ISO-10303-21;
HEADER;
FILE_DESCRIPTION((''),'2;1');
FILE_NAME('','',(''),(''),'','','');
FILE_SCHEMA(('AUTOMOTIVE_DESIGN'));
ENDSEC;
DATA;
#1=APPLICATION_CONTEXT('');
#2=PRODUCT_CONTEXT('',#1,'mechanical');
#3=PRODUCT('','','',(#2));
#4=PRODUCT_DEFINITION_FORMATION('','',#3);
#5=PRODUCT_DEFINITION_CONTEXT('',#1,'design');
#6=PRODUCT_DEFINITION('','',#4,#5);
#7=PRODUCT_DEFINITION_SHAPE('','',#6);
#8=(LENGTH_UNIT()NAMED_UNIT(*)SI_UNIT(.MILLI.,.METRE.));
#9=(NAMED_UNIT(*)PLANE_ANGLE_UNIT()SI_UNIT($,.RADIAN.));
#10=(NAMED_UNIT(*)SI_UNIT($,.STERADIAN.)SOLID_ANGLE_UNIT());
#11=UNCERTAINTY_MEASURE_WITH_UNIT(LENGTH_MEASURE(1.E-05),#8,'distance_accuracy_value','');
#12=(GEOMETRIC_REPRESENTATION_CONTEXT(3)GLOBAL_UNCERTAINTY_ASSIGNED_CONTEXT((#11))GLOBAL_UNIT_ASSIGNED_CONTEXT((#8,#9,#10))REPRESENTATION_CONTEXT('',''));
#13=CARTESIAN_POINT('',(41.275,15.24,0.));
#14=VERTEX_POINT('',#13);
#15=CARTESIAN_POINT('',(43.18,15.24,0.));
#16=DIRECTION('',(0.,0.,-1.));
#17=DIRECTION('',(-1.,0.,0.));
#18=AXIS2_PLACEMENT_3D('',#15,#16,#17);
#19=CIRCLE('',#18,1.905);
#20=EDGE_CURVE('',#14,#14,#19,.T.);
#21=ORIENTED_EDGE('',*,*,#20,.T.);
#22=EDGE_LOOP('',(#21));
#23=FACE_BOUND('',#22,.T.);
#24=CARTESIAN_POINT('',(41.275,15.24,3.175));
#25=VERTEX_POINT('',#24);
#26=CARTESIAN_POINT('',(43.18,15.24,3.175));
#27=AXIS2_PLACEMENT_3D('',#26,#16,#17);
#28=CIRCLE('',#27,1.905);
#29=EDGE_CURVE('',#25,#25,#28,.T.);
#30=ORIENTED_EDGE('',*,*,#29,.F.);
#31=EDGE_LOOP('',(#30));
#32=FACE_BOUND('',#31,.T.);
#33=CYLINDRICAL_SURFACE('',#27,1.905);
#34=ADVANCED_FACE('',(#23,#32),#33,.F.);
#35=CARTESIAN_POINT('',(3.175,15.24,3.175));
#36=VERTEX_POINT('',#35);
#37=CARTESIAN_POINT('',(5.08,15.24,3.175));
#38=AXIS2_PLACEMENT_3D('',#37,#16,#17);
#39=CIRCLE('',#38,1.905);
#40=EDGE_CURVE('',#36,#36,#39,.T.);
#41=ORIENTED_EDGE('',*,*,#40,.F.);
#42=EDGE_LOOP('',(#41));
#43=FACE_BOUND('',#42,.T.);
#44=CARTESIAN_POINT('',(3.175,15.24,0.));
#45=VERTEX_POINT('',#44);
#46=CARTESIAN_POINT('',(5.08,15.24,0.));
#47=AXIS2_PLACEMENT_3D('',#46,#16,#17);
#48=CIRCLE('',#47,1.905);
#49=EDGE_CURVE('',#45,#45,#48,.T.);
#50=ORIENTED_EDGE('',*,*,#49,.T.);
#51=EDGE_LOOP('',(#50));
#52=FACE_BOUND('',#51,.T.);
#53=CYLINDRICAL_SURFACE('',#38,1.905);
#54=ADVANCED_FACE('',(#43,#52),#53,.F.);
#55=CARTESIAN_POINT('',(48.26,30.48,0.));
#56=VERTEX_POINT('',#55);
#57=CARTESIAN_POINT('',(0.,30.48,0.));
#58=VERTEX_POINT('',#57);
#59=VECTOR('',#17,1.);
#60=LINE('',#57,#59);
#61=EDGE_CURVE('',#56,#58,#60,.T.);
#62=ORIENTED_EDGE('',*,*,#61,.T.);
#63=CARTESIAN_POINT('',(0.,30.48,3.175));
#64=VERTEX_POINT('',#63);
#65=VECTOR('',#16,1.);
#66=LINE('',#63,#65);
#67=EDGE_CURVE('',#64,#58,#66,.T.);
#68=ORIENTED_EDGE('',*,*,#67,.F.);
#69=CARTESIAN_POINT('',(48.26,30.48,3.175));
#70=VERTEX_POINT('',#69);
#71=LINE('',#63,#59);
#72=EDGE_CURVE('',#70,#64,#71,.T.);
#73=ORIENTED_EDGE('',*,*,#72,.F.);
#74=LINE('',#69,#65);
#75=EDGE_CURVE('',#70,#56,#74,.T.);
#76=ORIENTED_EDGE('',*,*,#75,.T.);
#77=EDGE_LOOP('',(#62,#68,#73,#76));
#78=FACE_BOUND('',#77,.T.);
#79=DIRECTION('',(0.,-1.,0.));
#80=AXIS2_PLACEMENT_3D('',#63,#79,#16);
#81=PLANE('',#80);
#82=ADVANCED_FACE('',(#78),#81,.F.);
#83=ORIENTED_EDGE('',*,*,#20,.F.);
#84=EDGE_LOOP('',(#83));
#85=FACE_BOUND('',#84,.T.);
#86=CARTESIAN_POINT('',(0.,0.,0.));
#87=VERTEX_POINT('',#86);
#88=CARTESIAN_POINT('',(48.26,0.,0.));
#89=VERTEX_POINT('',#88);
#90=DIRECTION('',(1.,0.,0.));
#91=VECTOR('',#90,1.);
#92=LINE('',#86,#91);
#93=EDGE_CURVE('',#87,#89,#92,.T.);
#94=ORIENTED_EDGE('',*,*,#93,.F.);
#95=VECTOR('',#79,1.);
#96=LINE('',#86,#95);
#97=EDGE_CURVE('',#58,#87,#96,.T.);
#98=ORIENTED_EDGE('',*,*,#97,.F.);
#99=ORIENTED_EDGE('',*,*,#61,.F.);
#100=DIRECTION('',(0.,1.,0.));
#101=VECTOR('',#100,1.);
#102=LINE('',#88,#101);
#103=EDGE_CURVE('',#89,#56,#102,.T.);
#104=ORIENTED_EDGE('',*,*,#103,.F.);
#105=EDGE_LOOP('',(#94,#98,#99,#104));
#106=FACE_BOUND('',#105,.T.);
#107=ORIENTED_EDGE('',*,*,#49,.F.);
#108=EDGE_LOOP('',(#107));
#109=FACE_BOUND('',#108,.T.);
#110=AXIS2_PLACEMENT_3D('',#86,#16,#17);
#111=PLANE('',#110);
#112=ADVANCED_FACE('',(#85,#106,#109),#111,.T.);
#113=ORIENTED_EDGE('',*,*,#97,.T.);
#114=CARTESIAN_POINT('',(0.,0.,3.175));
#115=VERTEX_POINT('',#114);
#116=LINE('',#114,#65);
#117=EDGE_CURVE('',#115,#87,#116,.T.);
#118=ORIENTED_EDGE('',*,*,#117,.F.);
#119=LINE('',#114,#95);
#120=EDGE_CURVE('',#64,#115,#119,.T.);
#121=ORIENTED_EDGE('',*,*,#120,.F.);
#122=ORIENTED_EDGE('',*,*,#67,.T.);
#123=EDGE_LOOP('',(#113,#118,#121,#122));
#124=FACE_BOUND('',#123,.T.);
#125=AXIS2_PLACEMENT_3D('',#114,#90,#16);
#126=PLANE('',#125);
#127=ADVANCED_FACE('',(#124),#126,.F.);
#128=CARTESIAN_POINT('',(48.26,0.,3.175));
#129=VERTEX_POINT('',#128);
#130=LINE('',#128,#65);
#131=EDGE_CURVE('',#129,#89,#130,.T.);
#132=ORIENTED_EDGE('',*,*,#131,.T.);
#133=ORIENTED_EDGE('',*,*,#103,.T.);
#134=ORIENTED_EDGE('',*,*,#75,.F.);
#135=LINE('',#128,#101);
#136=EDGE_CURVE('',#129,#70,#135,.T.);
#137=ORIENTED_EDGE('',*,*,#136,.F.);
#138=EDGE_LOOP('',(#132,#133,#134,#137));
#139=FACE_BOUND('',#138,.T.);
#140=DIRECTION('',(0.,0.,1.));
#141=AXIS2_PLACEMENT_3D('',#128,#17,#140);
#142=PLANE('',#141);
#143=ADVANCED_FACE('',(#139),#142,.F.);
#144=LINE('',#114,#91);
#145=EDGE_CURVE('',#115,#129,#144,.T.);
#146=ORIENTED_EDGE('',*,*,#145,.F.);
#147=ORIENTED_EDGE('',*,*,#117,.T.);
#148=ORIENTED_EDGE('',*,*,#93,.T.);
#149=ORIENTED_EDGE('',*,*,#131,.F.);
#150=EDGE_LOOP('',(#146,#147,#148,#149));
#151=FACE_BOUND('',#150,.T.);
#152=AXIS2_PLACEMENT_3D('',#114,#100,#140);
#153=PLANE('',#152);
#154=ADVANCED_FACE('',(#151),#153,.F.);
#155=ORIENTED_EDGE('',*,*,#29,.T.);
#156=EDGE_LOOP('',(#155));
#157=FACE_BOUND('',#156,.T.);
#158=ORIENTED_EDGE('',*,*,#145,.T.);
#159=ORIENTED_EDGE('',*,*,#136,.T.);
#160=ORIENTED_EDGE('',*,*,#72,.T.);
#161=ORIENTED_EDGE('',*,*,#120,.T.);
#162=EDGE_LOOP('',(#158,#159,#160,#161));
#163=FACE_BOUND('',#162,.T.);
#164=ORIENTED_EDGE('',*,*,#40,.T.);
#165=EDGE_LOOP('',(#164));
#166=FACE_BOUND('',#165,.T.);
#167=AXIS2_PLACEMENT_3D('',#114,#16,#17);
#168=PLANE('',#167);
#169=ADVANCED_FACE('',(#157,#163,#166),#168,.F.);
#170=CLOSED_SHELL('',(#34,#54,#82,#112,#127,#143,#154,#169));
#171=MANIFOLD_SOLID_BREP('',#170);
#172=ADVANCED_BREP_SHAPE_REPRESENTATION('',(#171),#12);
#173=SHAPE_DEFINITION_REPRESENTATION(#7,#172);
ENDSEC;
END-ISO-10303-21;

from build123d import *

# Parameters (mm, degrees)
SKETCH1_W           = 48.26
SKETCH1_H           = 30.48
BOSS_EXTRUDE1_DEPTH = 3.175
SKETCH2_R           = 1.905
CUT_EXTRUDE1_DEPTH  = 3.175


with BuildPart() as part:
    # Sketch1 → Boss-Extrude1 (new body)
    with BuildSketch(Plane.XY):
        with Locations((24.13, 15.24)):
            Rectangle(SKETCH1_W, SKETCH1_H)
    extrude(amount=BOSS_EXTRUDE1_DEPTH)

    # Sketch2 → Cut-Extrude1 (cut)
    with BuildSketch(Plane(origin=(0, 0, 0), x_dir=(-1, 0, 0), z_dir=(0, 0, -1))):
        with Locations((-5.08, 15.24)):
            Circle(SKETCH2_R)
        with Locations((-43.18, 15.24)):
            Circle(SKETCH2_R)
    extrude(amount=-CUT_EXTRUDE1_DEPTH, mode=Mode.SUBTRACT)


solid = part.part
